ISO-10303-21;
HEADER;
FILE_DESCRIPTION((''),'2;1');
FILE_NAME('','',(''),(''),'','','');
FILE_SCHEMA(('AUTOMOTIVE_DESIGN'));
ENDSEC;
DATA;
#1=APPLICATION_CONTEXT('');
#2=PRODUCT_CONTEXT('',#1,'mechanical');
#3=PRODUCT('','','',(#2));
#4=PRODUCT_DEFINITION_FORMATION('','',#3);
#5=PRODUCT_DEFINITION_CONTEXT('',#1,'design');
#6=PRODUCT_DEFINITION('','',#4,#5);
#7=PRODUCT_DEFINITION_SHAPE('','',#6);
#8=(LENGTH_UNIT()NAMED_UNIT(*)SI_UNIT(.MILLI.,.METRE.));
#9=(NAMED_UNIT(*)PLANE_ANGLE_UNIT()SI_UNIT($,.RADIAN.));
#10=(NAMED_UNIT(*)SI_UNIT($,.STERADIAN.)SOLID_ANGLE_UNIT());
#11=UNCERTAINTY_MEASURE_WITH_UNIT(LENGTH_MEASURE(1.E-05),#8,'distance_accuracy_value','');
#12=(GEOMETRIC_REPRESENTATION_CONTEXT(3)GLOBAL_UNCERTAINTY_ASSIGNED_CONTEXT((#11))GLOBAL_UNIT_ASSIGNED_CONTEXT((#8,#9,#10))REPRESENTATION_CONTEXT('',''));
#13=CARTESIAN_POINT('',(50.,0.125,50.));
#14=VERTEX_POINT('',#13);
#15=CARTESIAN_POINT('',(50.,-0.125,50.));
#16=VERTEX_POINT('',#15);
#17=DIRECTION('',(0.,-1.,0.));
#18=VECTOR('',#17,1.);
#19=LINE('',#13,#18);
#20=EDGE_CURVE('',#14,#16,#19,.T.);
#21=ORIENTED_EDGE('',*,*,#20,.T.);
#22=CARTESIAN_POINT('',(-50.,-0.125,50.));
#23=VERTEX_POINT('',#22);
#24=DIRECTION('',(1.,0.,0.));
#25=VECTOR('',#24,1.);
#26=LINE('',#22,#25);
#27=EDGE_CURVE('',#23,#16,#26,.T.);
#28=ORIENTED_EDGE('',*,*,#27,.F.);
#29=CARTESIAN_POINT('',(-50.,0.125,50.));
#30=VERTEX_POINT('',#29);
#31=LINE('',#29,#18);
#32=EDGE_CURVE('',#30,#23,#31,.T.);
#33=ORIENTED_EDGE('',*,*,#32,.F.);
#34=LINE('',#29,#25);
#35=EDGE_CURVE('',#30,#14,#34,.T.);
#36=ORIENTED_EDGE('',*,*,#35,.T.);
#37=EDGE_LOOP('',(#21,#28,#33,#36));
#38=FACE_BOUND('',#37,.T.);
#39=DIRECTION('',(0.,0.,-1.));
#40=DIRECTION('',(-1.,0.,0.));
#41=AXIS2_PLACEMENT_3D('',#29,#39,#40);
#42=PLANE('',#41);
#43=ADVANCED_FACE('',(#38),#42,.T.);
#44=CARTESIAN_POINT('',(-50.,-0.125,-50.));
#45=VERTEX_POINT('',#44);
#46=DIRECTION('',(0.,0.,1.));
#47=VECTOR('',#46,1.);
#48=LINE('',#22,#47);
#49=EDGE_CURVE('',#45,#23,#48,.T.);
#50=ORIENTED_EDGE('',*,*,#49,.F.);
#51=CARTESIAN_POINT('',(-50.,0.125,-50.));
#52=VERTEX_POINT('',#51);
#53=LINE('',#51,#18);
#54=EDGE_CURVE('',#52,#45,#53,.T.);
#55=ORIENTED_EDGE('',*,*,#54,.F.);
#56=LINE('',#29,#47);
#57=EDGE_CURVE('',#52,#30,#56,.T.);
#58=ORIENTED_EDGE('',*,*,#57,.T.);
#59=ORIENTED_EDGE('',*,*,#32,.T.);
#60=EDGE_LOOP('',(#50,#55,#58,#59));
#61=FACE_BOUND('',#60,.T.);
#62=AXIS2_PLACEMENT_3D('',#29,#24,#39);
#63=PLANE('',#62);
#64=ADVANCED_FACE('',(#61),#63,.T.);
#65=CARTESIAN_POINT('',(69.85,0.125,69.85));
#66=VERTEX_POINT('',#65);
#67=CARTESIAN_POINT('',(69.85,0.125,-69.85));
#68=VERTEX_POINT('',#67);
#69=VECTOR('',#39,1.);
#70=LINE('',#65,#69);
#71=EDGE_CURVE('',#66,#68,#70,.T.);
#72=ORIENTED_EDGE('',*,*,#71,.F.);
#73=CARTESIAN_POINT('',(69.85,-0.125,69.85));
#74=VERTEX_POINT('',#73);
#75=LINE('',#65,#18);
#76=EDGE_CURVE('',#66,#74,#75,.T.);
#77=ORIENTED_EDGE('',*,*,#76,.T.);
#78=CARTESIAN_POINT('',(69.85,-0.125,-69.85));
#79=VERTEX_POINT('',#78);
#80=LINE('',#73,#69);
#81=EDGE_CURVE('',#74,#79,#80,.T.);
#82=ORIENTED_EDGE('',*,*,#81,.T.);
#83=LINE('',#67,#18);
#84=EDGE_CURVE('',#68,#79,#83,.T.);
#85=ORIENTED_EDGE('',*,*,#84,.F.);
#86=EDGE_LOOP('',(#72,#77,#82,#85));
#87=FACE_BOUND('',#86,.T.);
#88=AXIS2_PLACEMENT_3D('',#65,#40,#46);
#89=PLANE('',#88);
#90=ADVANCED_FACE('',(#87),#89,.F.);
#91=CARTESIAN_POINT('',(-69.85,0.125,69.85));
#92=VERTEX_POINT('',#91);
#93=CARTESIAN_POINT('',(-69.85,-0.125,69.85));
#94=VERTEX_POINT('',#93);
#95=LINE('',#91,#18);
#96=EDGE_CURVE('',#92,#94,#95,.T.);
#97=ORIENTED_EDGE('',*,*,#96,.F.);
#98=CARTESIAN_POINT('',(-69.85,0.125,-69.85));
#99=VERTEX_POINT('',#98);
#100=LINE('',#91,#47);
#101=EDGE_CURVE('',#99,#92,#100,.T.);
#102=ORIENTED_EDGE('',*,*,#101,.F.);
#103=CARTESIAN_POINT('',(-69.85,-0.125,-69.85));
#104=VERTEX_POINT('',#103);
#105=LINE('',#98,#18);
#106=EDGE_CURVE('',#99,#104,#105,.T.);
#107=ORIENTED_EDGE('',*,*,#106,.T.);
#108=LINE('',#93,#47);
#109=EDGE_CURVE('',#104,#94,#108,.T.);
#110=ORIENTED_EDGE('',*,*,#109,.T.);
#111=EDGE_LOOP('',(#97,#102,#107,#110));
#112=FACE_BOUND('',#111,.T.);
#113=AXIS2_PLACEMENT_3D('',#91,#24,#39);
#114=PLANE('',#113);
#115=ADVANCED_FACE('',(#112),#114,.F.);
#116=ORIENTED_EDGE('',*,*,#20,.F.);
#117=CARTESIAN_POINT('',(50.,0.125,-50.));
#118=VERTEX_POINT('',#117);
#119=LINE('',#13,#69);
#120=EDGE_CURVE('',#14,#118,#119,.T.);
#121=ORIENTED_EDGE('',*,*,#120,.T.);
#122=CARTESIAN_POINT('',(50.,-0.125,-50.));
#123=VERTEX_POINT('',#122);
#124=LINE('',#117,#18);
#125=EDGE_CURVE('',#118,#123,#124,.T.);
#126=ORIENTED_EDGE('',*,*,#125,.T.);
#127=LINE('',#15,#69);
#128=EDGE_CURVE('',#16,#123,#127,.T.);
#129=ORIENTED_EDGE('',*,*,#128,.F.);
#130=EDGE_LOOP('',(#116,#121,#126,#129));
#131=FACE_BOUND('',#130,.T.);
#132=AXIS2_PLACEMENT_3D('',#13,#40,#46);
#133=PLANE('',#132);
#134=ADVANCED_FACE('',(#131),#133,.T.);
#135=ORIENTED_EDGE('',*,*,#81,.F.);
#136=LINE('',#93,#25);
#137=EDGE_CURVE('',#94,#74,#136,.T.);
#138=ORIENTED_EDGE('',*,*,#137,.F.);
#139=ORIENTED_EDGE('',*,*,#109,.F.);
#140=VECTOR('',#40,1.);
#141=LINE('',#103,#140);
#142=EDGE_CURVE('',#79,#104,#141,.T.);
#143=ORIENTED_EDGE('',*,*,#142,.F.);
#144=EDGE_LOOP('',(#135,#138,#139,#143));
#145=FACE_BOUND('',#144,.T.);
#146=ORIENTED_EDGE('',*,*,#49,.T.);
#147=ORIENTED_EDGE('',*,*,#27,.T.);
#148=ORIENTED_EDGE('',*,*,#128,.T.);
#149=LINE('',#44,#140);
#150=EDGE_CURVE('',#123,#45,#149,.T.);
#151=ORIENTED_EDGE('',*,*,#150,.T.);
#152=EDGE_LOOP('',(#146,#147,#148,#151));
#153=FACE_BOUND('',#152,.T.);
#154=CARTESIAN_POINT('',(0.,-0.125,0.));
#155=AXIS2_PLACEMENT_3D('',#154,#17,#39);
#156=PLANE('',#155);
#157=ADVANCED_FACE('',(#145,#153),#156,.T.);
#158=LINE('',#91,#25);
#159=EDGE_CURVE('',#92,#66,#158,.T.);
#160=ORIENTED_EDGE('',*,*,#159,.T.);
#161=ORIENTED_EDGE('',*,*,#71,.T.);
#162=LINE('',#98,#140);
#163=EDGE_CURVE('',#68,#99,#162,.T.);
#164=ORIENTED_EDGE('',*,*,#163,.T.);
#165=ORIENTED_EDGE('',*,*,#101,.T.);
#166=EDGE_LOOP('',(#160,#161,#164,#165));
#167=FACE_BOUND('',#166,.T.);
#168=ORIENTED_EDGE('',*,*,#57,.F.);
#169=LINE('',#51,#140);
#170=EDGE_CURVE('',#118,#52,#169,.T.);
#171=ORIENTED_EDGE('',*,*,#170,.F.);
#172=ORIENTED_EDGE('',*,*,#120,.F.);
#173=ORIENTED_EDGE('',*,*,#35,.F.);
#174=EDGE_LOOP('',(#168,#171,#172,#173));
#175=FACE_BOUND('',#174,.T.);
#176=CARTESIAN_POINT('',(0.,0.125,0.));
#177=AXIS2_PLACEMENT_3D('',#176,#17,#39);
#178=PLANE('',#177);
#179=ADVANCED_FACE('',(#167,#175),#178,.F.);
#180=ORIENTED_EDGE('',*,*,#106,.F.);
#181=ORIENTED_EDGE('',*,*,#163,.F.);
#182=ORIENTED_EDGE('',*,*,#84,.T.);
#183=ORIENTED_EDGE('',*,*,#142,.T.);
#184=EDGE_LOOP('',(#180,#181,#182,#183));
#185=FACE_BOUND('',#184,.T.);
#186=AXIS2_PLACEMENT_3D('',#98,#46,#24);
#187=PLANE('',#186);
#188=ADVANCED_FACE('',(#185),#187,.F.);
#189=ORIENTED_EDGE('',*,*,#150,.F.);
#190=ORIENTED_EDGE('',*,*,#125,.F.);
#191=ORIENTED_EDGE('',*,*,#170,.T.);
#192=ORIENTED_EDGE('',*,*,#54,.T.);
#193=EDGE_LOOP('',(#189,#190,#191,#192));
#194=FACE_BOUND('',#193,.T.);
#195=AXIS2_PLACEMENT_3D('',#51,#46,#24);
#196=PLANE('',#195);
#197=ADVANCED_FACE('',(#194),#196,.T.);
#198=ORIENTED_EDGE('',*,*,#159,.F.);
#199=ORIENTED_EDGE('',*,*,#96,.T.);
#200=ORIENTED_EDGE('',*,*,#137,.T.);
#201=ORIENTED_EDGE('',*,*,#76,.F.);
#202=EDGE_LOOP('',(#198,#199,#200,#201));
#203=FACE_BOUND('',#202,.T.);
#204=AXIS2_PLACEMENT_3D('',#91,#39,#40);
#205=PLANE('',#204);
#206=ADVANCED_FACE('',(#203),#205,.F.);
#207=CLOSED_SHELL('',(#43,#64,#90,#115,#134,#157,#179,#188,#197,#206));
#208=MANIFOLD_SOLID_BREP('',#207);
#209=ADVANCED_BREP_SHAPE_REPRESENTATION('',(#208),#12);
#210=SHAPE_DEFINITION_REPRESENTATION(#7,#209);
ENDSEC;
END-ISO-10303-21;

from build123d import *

# Parameters (mm, degrees)
SKETCH1_W           = 139.7
SKETCH1_H           = 139.7
SKETCH1_W_2         = 100
SKETCH1_H_2         = 100
BOSS_EXTRUDE1_DEPTH = 0.125


with BuildPart() as part:
    # Sketch1 → Boss-Extrude1 (new, symmetric)
    with BuildSketch(Plane(origin=(0, 0, 0), x_dir=(1, 0, 0), z_dir=(0, 1, 0))):
        Rectangle(SKETCH1_W, SKETCH1_H)
        Rectangle(SKETCH1_W_2, SKETCH1_H_2, mode=Mode.SUBTRACT)
    extrude(amount=BOSS_EXTRUDE1_DEPTH, both=True)


solid = part.part
